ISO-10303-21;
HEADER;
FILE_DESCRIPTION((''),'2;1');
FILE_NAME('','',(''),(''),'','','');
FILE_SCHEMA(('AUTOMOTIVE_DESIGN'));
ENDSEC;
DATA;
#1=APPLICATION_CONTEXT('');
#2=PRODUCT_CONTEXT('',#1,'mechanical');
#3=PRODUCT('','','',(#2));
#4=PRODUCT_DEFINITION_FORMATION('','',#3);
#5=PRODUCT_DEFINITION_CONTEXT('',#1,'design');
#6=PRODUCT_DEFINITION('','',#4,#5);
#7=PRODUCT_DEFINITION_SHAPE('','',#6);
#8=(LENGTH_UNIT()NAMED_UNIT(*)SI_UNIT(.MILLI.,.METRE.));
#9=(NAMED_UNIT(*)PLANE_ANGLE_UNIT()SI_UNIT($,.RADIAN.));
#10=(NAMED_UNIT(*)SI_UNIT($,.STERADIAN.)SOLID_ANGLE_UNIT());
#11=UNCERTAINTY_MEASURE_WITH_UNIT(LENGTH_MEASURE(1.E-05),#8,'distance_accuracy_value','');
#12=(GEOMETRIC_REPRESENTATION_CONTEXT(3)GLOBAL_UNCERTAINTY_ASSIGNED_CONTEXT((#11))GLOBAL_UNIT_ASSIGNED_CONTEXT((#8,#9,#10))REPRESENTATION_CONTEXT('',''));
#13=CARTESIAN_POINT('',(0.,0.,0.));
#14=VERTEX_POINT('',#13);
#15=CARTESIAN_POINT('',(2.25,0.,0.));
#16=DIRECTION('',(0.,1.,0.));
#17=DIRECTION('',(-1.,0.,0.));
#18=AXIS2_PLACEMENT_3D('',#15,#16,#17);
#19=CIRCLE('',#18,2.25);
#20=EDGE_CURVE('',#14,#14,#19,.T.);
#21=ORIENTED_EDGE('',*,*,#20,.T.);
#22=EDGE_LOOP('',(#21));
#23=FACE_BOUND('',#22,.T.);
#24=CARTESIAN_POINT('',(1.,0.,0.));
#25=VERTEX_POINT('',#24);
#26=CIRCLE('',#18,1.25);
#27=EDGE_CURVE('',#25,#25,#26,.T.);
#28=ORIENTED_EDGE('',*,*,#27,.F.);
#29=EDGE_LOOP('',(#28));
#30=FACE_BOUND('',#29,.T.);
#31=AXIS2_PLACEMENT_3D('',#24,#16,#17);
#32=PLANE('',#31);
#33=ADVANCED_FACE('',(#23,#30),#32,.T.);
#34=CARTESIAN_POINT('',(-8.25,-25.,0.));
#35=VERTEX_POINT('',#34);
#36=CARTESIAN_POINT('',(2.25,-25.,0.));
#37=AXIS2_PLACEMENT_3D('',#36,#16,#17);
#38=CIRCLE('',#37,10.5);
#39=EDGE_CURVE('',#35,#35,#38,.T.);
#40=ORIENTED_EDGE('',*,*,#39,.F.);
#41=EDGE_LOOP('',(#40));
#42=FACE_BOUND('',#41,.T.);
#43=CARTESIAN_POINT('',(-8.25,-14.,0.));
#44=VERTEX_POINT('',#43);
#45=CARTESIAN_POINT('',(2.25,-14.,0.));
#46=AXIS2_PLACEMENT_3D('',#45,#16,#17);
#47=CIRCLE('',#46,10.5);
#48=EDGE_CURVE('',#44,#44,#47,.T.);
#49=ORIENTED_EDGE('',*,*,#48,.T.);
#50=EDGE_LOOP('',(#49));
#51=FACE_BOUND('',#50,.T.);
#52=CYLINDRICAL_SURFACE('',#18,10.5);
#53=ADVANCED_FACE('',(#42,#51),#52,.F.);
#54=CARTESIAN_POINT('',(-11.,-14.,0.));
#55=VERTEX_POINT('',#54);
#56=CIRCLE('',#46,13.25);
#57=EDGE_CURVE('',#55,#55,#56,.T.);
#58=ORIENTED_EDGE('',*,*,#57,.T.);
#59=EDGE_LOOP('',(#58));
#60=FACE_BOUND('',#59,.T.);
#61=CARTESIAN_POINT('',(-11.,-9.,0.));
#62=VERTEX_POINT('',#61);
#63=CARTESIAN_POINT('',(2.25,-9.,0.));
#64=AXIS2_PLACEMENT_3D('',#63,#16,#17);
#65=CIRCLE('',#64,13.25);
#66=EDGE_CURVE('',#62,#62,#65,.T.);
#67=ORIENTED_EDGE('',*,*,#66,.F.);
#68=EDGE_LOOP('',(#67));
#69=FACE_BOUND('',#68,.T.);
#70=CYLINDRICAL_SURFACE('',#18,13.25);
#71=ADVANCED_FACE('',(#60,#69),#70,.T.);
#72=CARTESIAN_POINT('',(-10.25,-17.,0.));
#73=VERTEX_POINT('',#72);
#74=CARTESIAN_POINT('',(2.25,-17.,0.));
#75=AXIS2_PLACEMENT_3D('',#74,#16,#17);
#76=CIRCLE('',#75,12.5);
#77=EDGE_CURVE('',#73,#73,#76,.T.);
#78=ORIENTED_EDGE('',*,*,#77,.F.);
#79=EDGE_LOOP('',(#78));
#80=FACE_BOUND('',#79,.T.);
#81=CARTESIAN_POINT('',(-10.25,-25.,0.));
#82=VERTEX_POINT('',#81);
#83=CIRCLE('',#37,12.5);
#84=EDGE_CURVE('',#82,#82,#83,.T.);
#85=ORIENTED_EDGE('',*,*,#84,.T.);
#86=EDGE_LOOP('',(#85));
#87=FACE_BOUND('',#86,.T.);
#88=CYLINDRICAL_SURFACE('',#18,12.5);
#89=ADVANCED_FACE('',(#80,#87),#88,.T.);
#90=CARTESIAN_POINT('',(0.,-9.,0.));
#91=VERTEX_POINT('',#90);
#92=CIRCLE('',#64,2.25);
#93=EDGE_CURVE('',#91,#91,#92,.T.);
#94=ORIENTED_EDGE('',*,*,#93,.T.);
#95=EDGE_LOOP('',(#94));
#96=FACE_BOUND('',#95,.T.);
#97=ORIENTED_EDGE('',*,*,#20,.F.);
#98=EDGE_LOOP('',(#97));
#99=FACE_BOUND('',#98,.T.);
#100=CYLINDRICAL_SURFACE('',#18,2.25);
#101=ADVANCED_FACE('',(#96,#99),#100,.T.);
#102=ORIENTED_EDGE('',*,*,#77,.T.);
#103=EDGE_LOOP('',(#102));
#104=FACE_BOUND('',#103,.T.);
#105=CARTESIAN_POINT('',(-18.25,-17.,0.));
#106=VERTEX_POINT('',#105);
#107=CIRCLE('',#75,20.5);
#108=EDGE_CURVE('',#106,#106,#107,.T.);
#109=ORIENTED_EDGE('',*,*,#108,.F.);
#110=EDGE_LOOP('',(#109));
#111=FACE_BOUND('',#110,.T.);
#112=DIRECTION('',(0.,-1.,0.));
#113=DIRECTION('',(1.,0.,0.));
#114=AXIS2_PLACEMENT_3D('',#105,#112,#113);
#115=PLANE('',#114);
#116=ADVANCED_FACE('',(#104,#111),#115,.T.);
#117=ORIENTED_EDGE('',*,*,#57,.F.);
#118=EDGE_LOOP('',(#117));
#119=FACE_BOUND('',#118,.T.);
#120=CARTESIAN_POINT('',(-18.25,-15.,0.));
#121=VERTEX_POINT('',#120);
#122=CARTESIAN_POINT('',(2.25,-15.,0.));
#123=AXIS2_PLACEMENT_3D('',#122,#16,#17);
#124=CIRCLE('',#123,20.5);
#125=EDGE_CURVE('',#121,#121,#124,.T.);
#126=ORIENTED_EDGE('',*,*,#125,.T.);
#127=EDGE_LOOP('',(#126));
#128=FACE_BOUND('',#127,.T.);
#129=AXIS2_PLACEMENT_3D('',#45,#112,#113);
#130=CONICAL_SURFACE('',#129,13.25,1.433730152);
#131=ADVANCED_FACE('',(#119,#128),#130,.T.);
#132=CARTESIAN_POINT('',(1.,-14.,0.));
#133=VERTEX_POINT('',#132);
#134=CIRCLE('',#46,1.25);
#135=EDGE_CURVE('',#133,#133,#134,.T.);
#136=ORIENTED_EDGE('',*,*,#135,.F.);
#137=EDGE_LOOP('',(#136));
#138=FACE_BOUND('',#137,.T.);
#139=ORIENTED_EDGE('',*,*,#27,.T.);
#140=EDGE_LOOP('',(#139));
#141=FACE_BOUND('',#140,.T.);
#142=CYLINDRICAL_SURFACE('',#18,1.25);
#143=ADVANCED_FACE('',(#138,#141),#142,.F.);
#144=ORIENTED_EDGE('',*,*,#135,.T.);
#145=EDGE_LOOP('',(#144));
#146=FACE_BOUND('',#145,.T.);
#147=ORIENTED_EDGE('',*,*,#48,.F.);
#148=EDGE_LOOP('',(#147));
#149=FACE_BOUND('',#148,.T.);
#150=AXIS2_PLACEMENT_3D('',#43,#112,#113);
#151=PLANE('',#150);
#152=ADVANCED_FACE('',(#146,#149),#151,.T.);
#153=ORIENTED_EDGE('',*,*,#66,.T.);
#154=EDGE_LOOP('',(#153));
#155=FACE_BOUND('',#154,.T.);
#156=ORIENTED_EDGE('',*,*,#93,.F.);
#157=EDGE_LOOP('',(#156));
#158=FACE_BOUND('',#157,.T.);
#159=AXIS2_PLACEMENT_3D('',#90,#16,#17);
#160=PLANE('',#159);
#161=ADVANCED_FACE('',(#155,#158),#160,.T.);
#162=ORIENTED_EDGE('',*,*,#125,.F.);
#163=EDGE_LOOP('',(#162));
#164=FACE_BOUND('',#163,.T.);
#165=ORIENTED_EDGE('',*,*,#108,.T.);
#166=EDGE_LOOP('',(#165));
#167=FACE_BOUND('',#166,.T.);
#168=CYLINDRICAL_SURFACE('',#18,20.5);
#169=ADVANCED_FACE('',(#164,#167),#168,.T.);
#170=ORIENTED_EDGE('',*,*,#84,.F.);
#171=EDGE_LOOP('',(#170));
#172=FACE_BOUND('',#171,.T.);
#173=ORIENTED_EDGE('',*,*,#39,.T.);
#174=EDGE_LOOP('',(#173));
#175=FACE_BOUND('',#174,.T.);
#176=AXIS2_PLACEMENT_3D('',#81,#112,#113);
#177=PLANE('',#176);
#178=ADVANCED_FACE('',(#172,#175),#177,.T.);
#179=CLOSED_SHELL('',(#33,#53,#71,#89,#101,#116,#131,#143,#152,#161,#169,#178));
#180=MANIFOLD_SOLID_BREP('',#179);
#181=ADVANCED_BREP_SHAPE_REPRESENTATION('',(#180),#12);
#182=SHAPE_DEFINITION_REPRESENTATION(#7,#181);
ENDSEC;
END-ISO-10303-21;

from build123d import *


with BuildPart() as part:
    # Sketch1 → Revolve1 (revolve)
    with BuildSketch(Plane.XY):
        Polygon((0, 0), (0, -9), (-11, -9), (-11, -14), (-18.25, -15), (-18.25, -17), (-10.25, -17), (-10.25, -25), (-8.25, -25), (-8.25, -14), (1, -14), (1, 0), align=None)
    revolve(axis=Axis((2.25, 0, 0), (0, -1, 0)))


solid = part.part
